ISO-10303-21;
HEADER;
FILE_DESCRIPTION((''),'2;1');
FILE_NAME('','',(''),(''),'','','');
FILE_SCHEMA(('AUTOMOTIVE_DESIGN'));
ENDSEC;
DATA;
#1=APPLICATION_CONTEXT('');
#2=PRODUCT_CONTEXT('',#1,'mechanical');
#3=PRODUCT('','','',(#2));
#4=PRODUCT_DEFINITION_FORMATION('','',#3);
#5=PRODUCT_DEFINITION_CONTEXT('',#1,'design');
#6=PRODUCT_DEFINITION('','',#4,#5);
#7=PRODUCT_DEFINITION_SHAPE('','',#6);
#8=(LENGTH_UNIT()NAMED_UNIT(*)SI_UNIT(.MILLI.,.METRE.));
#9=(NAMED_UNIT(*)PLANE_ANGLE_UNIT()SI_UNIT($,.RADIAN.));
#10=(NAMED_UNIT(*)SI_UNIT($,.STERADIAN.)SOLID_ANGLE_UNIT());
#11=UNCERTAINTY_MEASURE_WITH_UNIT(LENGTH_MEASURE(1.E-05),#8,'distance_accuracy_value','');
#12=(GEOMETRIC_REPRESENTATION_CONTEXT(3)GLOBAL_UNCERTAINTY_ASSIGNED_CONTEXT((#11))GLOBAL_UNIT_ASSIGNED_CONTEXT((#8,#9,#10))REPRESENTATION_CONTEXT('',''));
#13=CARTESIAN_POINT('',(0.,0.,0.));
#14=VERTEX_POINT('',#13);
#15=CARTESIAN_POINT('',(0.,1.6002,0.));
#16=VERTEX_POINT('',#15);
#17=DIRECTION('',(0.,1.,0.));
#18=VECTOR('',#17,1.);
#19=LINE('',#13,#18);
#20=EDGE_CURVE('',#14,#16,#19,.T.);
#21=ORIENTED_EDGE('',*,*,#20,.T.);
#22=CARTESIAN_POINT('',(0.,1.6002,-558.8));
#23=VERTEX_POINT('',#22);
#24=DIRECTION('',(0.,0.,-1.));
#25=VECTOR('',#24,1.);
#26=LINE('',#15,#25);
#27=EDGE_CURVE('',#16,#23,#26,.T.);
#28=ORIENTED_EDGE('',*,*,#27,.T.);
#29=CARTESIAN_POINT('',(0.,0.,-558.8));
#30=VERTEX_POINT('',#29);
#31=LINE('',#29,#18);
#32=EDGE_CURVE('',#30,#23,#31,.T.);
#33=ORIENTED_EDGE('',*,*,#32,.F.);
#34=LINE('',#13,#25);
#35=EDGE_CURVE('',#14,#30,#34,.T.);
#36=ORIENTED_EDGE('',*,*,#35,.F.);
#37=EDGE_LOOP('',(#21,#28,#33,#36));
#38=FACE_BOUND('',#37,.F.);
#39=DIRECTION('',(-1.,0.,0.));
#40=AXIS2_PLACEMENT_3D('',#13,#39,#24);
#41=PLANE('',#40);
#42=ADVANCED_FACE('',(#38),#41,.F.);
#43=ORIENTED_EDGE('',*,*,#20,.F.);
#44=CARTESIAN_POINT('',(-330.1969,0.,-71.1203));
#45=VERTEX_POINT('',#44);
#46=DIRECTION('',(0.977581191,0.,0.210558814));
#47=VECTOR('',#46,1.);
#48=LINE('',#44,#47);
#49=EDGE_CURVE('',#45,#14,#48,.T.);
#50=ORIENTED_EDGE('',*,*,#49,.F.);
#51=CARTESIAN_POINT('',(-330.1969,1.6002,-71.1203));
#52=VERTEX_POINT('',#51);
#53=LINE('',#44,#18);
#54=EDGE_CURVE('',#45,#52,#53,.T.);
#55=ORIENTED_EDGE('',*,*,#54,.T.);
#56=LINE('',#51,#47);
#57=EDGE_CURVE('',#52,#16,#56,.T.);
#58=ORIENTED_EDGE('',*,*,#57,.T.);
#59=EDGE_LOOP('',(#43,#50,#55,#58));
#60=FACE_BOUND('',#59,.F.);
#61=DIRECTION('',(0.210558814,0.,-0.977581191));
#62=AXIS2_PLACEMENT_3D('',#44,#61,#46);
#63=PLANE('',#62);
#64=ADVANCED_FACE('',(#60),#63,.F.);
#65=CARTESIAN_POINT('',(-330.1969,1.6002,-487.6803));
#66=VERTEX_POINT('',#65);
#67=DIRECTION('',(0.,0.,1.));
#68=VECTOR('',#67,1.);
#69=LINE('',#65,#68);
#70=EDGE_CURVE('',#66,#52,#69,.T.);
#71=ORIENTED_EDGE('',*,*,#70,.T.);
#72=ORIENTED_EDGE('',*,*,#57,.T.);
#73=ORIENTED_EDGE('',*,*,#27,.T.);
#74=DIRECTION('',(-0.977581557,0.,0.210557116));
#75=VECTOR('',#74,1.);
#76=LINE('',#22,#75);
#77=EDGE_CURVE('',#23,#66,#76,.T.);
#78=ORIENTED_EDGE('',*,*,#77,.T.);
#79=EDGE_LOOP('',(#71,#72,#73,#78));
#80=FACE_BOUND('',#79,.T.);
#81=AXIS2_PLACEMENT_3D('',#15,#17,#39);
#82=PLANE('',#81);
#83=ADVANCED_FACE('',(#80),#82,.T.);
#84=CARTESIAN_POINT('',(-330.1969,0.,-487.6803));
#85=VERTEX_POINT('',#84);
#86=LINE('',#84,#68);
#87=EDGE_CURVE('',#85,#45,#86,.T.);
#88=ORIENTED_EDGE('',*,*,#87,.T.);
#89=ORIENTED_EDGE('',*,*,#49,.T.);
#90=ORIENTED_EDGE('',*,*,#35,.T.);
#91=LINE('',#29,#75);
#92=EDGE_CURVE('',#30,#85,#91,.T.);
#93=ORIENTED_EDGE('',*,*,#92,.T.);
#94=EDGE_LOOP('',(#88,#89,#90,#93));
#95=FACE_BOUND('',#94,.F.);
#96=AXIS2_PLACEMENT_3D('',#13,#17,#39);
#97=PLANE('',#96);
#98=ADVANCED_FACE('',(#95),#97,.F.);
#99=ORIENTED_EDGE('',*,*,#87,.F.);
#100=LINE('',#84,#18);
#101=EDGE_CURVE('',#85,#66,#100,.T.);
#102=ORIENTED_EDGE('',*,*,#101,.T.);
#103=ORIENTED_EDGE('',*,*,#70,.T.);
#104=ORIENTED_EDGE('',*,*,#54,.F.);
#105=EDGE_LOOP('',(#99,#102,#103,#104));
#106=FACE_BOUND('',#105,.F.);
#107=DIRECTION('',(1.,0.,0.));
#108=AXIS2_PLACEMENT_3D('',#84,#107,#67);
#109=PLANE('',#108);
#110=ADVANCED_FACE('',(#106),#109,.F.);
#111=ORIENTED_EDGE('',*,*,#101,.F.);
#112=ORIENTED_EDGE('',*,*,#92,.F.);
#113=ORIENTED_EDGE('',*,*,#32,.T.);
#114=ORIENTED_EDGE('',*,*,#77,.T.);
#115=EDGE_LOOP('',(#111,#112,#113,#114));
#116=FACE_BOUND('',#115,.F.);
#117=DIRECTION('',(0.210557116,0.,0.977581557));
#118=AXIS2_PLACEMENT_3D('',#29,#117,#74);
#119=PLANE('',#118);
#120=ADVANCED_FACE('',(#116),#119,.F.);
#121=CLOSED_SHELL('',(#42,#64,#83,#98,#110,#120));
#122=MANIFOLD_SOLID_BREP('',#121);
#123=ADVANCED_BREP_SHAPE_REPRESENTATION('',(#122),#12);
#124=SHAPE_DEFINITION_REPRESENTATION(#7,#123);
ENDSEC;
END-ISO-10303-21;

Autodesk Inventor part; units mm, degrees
ref_plane "YZ Plane" through (0, 0, 0) normal (1, 0, 0) x (0, 1, 0)
ref_plane "XZ Plane" through (0, 0, 0) normal (0, 1, 0) x (-1, 0, 0)
ref_plane "XY Plane" through (0, 0, 0) normal (0, 0, 1) x (1, 0, 0)
sketch "Sketch2" plane through (0, 0, 0) normal (0, 1, 0) x (-1, 0, 0)
  line L0 (0, 0) -> (0, -558.8)
  line L1 (0, -558.8) -> (330.1969, -487.6803)
  line L2 (0, -558.8) -> (337.7692, -558.8) construction
  line L3 (330.1969, -487.6803) -> (330.1969, -71.1203)
  line L4 (330.1969, -71.1203) -> (0, 0)
extrude "Extrusion1" add sketch "Sketch2" along normal blind 1.6002
properties part number "FirewallTrapezoid" material "Aluminum 6061"
